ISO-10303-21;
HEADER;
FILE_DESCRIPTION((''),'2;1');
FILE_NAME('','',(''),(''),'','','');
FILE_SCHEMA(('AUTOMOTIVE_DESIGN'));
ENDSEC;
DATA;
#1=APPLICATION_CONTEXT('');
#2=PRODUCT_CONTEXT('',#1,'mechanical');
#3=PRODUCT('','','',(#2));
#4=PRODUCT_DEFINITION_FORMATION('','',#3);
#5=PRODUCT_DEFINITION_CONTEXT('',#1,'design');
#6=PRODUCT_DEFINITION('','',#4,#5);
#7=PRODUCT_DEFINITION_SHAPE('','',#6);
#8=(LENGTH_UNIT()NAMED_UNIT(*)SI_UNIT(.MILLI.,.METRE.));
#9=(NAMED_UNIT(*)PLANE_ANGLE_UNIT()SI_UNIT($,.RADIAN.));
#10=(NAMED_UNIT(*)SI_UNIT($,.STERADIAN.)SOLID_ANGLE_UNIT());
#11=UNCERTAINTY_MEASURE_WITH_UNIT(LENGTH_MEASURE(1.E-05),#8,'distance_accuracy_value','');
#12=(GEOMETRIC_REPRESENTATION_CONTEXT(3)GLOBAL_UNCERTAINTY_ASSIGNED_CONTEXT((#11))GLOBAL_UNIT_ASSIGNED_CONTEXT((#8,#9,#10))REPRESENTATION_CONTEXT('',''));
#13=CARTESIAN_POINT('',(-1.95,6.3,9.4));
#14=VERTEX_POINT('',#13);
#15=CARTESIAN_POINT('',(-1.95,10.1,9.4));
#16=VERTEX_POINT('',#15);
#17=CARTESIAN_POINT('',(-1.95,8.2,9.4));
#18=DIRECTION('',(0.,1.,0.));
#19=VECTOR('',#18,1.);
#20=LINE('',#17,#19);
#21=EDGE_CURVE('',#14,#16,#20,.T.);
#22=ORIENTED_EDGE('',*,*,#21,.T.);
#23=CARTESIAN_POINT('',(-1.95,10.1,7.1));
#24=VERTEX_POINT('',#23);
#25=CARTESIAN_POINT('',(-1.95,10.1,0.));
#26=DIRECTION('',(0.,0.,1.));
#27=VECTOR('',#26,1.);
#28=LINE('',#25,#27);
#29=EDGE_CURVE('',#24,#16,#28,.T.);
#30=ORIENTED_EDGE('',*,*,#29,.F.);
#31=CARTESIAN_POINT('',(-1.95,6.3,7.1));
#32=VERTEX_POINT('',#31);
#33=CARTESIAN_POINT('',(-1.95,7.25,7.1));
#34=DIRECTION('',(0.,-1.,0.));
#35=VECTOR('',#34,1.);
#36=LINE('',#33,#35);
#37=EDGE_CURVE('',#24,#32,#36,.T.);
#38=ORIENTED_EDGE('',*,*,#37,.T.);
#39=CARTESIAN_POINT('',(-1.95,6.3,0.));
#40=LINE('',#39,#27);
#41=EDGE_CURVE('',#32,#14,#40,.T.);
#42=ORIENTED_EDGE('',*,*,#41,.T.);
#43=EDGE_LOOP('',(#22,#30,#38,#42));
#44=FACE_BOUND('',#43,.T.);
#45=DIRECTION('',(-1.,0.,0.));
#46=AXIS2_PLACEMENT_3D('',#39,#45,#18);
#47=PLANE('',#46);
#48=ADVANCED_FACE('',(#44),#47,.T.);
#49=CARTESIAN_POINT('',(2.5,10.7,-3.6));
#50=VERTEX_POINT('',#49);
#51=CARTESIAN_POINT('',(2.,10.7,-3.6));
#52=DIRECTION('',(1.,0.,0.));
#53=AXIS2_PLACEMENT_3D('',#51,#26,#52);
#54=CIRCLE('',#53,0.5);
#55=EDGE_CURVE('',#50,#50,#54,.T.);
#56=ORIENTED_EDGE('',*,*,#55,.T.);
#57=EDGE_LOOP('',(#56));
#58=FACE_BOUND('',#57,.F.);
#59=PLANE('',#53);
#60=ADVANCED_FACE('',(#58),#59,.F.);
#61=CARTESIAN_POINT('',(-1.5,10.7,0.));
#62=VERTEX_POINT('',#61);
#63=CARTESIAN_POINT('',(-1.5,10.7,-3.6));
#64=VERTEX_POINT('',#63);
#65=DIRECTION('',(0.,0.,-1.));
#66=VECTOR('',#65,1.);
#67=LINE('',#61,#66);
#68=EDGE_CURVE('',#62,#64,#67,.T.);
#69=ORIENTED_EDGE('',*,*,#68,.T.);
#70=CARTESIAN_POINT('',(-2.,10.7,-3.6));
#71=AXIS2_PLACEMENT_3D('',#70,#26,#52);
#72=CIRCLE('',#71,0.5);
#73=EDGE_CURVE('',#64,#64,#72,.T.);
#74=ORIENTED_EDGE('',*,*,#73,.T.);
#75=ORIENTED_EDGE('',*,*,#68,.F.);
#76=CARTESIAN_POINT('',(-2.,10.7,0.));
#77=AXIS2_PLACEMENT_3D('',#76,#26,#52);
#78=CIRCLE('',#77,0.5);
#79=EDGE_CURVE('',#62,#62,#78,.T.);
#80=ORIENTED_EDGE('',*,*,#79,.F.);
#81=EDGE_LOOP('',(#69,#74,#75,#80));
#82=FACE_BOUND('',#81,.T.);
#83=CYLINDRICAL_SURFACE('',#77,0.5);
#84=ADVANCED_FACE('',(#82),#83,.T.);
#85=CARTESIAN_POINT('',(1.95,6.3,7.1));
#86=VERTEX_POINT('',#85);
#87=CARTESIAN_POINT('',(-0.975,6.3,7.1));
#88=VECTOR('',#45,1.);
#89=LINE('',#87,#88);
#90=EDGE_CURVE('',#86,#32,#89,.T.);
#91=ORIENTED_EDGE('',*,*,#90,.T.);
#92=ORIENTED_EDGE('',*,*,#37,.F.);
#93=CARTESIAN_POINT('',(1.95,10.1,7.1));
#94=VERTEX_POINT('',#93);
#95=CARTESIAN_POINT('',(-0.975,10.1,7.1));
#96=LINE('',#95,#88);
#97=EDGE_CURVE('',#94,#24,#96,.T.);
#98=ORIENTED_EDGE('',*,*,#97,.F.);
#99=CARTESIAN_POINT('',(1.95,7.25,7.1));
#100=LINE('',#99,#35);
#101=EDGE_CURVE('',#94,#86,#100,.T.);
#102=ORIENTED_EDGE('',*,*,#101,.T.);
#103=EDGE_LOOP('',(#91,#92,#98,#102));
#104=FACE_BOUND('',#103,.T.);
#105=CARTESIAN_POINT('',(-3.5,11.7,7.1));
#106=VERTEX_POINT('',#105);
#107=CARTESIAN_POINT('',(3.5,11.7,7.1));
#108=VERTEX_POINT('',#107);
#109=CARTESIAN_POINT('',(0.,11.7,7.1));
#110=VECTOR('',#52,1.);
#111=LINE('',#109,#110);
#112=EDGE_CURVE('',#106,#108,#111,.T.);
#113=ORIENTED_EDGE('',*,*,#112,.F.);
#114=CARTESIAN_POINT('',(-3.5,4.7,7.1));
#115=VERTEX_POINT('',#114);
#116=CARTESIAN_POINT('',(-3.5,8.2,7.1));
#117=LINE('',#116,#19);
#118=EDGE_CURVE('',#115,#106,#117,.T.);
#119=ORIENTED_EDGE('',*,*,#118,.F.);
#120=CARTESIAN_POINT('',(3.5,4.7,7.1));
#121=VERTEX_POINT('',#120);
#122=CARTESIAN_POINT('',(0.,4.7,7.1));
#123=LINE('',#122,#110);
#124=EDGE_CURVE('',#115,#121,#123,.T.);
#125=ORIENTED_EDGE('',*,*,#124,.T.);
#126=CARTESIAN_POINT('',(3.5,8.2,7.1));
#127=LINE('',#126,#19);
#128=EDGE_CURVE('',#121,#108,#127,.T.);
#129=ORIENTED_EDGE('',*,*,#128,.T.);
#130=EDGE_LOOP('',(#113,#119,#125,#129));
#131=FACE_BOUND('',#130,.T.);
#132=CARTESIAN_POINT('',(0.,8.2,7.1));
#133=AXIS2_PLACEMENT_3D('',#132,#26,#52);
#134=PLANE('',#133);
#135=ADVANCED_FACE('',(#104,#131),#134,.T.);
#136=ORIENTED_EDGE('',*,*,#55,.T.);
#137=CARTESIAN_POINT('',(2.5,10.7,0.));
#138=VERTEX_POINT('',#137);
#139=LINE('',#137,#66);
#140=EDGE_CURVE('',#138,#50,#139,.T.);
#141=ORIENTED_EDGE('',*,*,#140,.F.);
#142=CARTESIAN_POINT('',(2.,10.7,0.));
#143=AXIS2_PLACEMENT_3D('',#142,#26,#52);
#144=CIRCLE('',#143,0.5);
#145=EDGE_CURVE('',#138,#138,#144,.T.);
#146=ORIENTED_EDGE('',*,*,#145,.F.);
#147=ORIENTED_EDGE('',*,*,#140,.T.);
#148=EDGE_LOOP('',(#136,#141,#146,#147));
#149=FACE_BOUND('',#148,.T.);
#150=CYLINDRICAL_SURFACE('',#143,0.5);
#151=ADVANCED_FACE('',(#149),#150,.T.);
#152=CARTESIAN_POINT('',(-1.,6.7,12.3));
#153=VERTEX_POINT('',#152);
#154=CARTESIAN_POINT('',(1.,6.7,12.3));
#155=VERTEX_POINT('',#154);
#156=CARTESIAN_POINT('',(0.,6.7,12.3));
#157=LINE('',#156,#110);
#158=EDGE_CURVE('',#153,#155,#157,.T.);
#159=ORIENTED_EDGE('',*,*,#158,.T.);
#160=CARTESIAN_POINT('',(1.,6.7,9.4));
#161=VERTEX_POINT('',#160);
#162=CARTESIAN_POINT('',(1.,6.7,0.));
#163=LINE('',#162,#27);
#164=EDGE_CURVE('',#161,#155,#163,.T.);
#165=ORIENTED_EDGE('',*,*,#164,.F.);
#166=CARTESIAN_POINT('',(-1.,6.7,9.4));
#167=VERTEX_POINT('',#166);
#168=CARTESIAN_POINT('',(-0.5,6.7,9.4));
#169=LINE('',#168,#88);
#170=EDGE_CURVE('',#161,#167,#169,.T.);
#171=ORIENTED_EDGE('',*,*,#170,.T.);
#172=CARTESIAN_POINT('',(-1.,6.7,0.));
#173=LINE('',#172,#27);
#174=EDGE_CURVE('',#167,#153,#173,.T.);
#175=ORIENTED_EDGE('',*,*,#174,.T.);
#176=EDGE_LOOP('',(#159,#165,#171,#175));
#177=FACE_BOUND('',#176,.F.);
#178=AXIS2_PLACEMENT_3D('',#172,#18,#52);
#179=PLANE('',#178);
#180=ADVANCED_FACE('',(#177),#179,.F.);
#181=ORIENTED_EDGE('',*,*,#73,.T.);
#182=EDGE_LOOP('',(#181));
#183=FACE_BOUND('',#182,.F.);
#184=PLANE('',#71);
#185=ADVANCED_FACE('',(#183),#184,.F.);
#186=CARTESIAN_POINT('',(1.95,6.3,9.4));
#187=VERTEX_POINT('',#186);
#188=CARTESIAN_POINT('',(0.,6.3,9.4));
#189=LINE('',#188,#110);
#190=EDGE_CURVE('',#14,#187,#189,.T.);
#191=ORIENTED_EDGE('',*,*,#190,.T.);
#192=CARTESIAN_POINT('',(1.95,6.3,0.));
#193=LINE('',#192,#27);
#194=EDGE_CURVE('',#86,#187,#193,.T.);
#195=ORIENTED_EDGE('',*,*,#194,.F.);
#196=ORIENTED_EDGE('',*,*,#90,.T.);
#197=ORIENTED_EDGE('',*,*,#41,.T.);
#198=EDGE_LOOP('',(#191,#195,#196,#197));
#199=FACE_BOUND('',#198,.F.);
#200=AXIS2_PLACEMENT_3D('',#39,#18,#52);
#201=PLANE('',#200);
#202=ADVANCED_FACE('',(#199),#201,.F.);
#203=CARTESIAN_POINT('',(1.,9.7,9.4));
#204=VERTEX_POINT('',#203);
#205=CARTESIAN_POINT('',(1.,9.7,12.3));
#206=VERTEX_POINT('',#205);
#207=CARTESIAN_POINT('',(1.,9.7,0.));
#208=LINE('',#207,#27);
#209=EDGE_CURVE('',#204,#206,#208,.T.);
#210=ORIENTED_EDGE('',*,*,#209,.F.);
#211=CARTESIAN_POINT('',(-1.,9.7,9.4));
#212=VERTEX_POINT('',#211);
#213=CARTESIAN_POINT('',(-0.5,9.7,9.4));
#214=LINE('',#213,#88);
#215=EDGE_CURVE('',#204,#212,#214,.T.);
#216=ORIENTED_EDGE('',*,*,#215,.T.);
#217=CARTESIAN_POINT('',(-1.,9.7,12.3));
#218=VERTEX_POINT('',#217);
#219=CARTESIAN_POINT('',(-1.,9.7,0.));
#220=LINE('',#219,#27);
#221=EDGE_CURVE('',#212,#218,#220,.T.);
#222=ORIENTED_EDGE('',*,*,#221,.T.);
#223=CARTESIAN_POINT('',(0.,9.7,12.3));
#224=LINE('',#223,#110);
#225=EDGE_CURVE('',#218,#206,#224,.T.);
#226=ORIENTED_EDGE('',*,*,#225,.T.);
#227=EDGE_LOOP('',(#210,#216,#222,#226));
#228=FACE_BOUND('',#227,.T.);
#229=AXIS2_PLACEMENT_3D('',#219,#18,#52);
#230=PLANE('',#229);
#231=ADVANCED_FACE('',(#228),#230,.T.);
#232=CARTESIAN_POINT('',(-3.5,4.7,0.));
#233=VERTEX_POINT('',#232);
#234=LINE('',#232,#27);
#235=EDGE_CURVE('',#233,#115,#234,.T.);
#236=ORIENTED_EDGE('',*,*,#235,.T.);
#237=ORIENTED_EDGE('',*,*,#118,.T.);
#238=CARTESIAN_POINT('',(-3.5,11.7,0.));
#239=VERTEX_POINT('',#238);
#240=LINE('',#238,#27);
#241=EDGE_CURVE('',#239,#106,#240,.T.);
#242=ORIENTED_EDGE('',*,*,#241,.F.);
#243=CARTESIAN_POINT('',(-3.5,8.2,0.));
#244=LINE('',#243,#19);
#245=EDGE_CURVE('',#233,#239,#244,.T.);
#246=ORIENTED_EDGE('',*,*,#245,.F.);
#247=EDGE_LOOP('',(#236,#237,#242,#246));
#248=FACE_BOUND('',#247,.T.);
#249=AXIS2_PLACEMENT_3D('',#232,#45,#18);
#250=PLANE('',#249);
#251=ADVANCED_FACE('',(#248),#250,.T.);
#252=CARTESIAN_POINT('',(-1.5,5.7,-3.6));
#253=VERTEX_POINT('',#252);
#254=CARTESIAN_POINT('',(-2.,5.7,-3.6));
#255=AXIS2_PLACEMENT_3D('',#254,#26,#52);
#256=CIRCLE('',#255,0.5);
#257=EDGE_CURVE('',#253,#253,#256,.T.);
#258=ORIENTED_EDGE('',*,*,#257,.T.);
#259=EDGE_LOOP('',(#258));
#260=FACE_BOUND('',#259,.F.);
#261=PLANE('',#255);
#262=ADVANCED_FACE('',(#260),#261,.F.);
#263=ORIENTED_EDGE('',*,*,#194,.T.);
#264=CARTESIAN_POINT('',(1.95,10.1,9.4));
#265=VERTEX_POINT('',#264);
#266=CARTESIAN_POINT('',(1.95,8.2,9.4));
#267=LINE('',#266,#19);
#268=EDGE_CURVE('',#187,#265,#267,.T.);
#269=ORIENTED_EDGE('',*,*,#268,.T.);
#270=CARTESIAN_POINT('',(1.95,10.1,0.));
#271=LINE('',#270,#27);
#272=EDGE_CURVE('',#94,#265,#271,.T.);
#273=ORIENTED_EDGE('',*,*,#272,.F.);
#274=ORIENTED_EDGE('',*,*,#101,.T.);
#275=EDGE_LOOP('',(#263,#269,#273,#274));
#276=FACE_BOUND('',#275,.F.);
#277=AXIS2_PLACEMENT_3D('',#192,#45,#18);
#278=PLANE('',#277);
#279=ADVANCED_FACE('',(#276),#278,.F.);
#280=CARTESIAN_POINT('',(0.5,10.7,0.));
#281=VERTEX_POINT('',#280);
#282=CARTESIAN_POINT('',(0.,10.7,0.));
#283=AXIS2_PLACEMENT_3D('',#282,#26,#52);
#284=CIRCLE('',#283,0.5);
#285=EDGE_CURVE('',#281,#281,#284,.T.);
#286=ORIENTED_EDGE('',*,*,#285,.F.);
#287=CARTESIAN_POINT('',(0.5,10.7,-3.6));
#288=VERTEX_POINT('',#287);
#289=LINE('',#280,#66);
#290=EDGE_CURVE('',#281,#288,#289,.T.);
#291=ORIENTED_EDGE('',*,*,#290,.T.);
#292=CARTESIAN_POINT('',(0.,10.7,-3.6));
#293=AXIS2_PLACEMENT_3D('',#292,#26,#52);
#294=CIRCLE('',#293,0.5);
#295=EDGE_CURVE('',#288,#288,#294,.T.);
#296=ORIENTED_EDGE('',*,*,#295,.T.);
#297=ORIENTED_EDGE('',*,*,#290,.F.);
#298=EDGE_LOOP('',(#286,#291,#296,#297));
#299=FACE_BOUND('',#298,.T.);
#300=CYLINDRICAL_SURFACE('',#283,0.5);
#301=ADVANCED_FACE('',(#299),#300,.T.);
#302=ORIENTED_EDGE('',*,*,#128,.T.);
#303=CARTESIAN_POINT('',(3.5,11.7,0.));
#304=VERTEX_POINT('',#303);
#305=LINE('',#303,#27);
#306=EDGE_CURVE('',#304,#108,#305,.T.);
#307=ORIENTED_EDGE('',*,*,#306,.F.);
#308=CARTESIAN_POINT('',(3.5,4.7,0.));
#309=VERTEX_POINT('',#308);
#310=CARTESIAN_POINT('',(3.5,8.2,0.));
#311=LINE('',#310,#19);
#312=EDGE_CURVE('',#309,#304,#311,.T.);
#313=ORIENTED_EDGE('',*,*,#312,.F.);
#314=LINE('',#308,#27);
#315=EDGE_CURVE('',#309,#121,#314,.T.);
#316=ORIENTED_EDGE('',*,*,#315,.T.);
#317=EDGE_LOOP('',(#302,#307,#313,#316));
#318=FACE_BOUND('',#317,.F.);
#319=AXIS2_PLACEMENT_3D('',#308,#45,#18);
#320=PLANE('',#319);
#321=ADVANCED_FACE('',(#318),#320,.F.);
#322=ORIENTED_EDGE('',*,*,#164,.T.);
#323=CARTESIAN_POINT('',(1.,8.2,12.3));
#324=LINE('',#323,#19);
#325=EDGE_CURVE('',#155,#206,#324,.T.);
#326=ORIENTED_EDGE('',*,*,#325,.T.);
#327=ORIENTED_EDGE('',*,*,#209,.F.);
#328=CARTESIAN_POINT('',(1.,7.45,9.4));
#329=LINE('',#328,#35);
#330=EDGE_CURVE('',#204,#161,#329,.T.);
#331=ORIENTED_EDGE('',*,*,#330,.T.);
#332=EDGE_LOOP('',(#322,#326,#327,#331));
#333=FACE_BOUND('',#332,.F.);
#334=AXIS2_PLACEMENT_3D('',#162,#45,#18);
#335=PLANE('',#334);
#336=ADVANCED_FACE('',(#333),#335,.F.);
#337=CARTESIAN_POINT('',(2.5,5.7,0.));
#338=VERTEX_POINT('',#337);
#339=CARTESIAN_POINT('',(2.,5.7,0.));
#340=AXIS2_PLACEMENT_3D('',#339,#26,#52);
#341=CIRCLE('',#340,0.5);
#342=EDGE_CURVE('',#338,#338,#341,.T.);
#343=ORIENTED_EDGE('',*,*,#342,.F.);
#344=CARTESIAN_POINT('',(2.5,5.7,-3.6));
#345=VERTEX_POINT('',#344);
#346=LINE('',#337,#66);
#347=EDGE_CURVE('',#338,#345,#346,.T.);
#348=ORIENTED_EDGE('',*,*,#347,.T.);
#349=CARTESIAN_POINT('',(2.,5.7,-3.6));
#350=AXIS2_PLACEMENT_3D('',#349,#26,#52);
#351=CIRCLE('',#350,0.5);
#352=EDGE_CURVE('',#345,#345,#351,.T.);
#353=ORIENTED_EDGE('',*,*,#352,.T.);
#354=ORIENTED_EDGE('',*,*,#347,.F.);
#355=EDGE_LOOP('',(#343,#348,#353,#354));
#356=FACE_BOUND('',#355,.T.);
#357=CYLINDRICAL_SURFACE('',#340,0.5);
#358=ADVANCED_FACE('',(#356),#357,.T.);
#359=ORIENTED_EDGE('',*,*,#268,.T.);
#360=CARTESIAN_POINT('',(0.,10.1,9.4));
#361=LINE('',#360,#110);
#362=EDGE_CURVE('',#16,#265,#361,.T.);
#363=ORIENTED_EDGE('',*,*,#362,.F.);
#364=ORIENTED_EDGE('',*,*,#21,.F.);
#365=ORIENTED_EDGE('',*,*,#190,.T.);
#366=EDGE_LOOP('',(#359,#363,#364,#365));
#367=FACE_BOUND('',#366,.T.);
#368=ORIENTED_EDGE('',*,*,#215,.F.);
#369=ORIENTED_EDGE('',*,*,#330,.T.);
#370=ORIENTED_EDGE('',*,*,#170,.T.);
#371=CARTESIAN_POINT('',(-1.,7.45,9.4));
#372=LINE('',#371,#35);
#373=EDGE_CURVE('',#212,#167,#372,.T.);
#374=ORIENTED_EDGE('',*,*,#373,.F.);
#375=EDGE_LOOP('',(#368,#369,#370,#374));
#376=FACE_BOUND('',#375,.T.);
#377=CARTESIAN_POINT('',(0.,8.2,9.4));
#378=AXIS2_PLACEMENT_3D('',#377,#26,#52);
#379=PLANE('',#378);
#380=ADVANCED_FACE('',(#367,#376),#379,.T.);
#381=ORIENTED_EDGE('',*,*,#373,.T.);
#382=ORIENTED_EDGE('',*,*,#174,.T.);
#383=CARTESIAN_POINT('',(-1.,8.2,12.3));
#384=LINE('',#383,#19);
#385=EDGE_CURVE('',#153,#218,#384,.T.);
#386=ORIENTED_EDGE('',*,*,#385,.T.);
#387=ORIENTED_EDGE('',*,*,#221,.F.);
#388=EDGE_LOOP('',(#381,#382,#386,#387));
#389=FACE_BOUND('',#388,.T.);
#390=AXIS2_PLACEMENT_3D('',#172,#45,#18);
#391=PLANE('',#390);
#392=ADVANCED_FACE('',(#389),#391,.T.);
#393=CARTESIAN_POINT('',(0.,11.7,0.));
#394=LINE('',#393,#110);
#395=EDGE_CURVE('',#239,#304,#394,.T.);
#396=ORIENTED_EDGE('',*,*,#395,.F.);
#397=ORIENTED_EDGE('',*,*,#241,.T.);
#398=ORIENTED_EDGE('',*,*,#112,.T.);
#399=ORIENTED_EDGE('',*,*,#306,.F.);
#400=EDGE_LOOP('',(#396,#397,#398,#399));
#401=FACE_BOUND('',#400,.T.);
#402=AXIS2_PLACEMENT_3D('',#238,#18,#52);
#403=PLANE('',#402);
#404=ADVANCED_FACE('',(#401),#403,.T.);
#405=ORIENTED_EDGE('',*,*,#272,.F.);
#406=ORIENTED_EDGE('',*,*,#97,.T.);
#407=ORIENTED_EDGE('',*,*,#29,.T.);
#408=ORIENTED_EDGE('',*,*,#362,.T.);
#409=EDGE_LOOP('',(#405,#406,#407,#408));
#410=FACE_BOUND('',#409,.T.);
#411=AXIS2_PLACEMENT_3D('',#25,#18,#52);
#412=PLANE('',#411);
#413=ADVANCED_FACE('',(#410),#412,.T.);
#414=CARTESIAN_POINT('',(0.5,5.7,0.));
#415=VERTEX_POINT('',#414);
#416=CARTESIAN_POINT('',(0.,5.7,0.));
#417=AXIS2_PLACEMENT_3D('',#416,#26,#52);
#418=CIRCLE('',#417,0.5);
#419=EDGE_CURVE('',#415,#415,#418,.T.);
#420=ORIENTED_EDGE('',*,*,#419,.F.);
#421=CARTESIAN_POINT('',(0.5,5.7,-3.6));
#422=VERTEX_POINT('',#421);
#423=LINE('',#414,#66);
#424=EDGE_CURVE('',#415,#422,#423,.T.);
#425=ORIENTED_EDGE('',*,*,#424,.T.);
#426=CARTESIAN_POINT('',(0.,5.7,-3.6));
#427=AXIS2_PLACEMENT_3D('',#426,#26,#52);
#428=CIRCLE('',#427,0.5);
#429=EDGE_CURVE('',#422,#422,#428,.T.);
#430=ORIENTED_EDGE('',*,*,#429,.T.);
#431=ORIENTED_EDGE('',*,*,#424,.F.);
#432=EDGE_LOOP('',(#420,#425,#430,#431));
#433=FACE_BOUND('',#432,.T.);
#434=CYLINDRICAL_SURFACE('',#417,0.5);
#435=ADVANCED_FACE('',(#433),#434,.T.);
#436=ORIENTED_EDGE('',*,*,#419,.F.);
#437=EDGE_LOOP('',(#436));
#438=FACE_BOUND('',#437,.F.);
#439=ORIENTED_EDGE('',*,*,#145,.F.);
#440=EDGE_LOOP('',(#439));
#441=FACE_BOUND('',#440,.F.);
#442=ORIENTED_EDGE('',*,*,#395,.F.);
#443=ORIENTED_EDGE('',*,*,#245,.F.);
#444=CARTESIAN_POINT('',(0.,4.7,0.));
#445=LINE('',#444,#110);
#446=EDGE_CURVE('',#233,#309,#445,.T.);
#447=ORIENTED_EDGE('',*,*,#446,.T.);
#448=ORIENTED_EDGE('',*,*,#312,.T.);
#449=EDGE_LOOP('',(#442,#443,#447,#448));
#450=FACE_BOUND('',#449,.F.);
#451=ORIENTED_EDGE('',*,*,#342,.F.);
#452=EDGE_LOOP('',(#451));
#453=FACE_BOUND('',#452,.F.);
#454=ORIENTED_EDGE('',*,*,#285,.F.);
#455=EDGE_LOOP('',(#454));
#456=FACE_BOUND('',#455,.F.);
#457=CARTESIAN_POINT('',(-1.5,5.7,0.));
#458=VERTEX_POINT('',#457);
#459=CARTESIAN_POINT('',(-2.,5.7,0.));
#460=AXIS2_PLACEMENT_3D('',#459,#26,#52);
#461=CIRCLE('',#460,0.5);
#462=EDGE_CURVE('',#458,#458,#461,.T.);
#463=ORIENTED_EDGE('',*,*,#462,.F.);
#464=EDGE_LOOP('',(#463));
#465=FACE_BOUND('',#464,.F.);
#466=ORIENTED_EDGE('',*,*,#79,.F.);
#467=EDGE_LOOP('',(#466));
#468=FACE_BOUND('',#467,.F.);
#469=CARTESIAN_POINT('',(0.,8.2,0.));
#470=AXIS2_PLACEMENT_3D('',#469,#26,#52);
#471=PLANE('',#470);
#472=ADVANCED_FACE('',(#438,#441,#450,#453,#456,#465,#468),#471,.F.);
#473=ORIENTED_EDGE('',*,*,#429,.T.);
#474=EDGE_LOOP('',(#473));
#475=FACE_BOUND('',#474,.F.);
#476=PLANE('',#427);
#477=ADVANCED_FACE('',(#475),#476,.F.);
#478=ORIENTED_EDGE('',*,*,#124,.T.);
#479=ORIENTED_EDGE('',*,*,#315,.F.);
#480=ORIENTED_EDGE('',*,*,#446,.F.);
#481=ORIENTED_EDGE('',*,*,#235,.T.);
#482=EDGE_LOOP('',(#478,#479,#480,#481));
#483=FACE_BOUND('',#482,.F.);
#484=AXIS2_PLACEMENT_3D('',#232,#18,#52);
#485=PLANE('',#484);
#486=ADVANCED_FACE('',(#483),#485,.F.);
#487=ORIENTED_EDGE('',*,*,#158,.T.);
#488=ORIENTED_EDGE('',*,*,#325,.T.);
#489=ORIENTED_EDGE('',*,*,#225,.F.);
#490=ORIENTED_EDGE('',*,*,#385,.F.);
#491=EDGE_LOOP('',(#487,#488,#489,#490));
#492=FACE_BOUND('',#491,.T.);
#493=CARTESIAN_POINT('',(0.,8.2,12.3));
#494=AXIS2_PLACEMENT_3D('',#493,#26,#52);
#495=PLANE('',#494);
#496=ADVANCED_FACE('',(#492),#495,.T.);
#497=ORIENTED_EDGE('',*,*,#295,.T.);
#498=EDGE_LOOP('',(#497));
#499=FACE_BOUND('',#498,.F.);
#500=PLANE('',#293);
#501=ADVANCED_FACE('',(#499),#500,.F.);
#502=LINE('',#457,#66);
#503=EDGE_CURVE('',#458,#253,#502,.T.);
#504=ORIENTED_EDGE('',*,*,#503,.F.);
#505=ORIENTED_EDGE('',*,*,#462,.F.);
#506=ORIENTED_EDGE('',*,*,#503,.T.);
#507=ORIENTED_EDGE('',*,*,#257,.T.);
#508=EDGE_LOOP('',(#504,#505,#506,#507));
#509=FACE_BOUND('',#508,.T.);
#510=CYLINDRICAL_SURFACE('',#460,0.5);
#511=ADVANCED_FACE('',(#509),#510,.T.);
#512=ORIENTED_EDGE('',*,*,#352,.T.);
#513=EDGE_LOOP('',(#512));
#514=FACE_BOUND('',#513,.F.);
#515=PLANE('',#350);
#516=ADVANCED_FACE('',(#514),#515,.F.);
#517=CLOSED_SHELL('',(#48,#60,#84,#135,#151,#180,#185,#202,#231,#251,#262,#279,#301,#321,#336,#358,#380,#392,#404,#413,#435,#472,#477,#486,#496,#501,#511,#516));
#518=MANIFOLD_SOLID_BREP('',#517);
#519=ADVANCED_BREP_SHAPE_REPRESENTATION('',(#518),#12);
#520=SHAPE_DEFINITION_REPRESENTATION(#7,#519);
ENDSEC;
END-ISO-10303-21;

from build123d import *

# Parameters (mm, degrees)
SKETCH069_W  = 7
SKETCH069_H  = 7
PAD039_DEPTH = 7.1
SKETCH070_R  = 0.5
PAD040_DEPTH = 3.6
SKETCH071_W  = 3.9
SKETCH071_H  = 3.8
PAD041_DEPTH = 9.4
SKETCH072_W  = 2
SKETCH072_H  = 3
PAD042_DEPTH = 12.3


with BuildPart() as part:
    # Sketch069 → Pad039 (new body)
    with BuildSketch(Plane.XY):
        Rectangle(SKETCH069_W, SKETCH069_H)
    extrude(amount=PAD039_DEPTH)

    # Sketch070 → Pad040 (join)
    with BuildSketch(Plane.XY):
        with Locations((0, 2.5)):
            Circle(SKETCH070_R)
        with Locations((0, -2.5)):
            Circle(SKETCH070_R)
        with Locations((2, 2.5)):
            Circle(SKETCH070_R)
        with Locations((-2, 2.5)):
            Circle(SKETCH070_R)
        with Locations((-2, -2.5)):
            Circle(SKETCH070_R)
        with Locations((2, -2.5)):
            Circle(SKETCH070_R)
    extrude(amount=-PAD040_DEPTH)

    # Sketch071 → Pad041 (join)
    with BuildSketch(Plane.XY):
        Rectangle(SKETCH071_W, SKETCH071_H)
    extrude(amount=PAD041_DEPTH)

    # Sketch072 → Pad042 (join)
    with BuildSketch(Plane.XY):
        Rectangle(SKETCH072_W, SKETCH072_H)
    extrude(amount=PAD042_DEPTH)


with BuildPart() as part_1:
    # Body056 placement: moved
    add(part.part.moved(Location((0, 8.2, 0))))


solid = part_1.part
